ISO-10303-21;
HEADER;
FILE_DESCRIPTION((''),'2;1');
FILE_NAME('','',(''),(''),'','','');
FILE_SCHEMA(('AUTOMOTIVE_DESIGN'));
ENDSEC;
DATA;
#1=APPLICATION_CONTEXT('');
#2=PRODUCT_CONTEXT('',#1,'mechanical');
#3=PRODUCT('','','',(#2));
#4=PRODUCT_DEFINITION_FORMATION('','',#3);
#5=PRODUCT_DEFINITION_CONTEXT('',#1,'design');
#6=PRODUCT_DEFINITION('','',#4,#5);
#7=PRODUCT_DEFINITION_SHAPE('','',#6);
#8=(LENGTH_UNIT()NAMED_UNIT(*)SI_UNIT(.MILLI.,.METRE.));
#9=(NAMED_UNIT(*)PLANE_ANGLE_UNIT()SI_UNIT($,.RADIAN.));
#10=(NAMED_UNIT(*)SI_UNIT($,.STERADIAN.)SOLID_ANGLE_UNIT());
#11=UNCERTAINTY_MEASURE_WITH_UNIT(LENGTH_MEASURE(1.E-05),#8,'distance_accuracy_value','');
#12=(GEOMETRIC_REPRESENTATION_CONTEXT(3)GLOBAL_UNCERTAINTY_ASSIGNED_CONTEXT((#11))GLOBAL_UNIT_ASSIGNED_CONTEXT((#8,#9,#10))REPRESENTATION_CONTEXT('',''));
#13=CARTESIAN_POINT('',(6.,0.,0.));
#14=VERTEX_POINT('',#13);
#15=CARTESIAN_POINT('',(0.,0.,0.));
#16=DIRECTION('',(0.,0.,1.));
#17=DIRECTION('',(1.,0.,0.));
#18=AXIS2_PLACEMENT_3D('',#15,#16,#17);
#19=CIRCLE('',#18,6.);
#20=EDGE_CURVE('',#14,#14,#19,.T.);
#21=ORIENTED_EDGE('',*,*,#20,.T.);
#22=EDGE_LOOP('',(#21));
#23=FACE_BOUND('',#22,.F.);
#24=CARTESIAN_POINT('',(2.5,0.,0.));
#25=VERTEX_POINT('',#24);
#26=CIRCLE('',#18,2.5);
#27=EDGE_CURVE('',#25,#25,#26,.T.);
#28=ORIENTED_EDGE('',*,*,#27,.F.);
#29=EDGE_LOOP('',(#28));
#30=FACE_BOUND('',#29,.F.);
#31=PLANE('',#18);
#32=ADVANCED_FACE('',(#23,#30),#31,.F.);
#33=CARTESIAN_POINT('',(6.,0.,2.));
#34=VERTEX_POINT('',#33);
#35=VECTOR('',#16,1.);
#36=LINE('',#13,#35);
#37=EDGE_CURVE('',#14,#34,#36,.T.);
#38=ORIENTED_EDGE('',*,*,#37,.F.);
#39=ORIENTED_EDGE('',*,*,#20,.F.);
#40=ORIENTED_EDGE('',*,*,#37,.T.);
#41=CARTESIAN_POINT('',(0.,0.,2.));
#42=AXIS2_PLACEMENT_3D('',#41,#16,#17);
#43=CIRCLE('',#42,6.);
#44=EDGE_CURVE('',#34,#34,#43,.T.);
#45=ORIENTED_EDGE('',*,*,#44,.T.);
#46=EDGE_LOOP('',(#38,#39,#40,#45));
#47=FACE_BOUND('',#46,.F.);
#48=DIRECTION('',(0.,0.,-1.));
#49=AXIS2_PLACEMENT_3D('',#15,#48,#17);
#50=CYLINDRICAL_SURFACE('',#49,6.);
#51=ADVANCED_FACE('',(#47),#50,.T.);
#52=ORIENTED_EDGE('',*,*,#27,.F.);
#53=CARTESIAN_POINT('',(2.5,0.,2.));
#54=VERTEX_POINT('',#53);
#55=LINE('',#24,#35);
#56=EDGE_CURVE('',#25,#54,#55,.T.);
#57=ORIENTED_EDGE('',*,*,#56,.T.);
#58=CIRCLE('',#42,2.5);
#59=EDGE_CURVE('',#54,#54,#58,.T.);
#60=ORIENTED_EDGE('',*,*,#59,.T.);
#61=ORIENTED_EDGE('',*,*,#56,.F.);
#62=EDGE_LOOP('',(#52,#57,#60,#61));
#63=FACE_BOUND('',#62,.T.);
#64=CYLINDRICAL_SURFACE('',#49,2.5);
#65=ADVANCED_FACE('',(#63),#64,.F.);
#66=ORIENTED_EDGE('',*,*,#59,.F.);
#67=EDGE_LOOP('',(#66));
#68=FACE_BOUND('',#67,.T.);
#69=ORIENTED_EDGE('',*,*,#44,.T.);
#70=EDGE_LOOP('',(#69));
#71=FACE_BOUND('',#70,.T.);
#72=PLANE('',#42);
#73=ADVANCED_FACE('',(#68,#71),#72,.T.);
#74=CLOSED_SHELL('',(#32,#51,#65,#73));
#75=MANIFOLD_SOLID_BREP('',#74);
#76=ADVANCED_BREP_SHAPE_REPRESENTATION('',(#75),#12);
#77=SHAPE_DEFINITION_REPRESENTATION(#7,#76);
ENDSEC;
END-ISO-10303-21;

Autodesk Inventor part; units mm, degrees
ref_plane "YZ Plane" through (0, 0, 0) normal (1, 0, 0) x (0, 1, 0)
ref_plane "XZ Plane" through (0, 0, 0) normal (0, 1, 0) x (-1, 0, 0)
ref_plane "XY Plane" through (0, 0, 0) normal (0, 0, 1) x (1, 0, 0)
sketch "スケッチ1" plane through (0, 0, 0) normal (0, 0, 1) x (1, 0, 0)
  circle A0 centre (0, 0) radius 2.5
  circle A1 centre (0, 0) radius 6
  dimension "d0" = 5
  dimension "d1" = 12
extrude "押し出し1" add sketch "スケッチ1" along normal blind 2
properties part number "C-WSSA12-5-2" material "ステンレス鋼 AISI 304"
